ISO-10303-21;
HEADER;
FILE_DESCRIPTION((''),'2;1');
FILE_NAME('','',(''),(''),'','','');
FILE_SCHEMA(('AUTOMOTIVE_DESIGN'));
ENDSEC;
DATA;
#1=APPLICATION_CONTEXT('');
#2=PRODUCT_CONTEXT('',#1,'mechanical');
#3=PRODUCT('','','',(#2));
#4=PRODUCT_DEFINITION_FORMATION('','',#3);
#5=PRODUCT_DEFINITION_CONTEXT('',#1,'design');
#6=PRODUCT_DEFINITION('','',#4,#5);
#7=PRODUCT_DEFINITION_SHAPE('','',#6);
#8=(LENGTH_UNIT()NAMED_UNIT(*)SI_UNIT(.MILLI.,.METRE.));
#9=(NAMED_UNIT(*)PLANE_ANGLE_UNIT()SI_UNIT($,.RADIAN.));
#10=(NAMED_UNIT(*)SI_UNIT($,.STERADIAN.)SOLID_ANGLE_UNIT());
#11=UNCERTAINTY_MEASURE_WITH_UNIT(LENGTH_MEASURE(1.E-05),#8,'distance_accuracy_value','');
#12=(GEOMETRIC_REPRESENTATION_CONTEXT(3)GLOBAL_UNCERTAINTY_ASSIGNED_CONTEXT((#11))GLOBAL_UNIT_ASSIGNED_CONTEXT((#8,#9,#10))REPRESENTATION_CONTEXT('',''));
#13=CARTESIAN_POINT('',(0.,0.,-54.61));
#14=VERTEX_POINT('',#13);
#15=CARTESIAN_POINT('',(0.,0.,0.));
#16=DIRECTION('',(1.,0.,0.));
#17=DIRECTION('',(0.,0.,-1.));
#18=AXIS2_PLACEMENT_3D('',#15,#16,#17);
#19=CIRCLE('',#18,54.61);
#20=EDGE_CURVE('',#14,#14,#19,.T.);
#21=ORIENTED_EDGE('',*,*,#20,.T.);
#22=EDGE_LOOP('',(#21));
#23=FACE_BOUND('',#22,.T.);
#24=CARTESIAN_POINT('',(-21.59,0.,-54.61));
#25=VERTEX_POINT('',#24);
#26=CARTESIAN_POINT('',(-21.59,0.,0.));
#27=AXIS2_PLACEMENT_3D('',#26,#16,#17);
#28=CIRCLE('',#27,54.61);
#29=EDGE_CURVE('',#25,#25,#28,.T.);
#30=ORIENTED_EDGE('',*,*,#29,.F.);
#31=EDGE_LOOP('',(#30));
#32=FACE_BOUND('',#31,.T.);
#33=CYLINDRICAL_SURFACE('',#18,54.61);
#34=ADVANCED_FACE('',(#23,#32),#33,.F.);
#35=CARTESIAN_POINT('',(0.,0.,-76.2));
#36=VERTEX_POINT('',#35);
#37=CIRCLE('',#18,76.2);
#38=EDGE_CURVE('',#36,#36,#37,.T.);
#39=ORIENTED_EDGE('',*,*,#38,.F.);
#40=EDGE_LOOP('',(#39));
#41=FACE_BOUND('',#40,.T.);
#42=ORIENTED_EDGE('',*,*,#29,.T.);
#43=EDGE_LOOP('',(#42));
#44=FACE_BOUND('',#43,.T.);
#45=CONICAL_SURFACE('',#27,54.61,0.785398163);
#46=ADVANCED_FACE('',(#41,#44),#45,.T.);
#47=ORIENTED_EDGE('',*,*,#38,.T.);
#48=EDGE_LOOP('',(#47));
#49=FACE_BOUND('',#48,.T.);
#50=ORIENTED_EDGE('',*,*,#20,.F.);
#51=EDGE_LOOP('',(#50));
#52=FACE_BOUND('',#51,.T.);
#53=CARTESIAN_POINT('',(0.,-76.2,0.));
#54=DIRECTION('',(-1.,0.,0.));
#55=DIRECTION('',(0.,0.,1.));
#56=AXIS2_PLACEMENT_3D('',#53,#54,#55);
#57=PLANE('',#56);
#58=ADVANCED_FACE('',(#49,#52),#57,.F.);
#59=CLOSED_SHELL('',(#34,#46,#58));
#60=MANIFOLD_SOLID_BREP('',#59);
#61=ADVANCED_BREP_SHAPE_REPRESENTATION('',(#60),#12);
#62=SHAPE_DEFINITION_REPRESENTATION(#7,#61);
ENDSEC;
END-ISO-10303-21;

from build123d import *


with BuildPart() as part:
    # Sketch2 → Revolve2 (revolve)
    with BuildSketch(Plane(origin=(0, 0, 0), x_dir=(0, 1, 0), z_dir=(0, 0, 1)), mode=Mode.PRIVATE) as revolve2_sk:
        Polygon((-76.2, 0), (-54.61, 0), (-54.61, 21.59), align=None)
    revolve(revolve2_sk.sketch.rotate(Axis((0, 0, 0), (-1, 0, 0)), 270), axis=Axis((0, 0, 0), (-1, 0, 0)))


solid = part.part
